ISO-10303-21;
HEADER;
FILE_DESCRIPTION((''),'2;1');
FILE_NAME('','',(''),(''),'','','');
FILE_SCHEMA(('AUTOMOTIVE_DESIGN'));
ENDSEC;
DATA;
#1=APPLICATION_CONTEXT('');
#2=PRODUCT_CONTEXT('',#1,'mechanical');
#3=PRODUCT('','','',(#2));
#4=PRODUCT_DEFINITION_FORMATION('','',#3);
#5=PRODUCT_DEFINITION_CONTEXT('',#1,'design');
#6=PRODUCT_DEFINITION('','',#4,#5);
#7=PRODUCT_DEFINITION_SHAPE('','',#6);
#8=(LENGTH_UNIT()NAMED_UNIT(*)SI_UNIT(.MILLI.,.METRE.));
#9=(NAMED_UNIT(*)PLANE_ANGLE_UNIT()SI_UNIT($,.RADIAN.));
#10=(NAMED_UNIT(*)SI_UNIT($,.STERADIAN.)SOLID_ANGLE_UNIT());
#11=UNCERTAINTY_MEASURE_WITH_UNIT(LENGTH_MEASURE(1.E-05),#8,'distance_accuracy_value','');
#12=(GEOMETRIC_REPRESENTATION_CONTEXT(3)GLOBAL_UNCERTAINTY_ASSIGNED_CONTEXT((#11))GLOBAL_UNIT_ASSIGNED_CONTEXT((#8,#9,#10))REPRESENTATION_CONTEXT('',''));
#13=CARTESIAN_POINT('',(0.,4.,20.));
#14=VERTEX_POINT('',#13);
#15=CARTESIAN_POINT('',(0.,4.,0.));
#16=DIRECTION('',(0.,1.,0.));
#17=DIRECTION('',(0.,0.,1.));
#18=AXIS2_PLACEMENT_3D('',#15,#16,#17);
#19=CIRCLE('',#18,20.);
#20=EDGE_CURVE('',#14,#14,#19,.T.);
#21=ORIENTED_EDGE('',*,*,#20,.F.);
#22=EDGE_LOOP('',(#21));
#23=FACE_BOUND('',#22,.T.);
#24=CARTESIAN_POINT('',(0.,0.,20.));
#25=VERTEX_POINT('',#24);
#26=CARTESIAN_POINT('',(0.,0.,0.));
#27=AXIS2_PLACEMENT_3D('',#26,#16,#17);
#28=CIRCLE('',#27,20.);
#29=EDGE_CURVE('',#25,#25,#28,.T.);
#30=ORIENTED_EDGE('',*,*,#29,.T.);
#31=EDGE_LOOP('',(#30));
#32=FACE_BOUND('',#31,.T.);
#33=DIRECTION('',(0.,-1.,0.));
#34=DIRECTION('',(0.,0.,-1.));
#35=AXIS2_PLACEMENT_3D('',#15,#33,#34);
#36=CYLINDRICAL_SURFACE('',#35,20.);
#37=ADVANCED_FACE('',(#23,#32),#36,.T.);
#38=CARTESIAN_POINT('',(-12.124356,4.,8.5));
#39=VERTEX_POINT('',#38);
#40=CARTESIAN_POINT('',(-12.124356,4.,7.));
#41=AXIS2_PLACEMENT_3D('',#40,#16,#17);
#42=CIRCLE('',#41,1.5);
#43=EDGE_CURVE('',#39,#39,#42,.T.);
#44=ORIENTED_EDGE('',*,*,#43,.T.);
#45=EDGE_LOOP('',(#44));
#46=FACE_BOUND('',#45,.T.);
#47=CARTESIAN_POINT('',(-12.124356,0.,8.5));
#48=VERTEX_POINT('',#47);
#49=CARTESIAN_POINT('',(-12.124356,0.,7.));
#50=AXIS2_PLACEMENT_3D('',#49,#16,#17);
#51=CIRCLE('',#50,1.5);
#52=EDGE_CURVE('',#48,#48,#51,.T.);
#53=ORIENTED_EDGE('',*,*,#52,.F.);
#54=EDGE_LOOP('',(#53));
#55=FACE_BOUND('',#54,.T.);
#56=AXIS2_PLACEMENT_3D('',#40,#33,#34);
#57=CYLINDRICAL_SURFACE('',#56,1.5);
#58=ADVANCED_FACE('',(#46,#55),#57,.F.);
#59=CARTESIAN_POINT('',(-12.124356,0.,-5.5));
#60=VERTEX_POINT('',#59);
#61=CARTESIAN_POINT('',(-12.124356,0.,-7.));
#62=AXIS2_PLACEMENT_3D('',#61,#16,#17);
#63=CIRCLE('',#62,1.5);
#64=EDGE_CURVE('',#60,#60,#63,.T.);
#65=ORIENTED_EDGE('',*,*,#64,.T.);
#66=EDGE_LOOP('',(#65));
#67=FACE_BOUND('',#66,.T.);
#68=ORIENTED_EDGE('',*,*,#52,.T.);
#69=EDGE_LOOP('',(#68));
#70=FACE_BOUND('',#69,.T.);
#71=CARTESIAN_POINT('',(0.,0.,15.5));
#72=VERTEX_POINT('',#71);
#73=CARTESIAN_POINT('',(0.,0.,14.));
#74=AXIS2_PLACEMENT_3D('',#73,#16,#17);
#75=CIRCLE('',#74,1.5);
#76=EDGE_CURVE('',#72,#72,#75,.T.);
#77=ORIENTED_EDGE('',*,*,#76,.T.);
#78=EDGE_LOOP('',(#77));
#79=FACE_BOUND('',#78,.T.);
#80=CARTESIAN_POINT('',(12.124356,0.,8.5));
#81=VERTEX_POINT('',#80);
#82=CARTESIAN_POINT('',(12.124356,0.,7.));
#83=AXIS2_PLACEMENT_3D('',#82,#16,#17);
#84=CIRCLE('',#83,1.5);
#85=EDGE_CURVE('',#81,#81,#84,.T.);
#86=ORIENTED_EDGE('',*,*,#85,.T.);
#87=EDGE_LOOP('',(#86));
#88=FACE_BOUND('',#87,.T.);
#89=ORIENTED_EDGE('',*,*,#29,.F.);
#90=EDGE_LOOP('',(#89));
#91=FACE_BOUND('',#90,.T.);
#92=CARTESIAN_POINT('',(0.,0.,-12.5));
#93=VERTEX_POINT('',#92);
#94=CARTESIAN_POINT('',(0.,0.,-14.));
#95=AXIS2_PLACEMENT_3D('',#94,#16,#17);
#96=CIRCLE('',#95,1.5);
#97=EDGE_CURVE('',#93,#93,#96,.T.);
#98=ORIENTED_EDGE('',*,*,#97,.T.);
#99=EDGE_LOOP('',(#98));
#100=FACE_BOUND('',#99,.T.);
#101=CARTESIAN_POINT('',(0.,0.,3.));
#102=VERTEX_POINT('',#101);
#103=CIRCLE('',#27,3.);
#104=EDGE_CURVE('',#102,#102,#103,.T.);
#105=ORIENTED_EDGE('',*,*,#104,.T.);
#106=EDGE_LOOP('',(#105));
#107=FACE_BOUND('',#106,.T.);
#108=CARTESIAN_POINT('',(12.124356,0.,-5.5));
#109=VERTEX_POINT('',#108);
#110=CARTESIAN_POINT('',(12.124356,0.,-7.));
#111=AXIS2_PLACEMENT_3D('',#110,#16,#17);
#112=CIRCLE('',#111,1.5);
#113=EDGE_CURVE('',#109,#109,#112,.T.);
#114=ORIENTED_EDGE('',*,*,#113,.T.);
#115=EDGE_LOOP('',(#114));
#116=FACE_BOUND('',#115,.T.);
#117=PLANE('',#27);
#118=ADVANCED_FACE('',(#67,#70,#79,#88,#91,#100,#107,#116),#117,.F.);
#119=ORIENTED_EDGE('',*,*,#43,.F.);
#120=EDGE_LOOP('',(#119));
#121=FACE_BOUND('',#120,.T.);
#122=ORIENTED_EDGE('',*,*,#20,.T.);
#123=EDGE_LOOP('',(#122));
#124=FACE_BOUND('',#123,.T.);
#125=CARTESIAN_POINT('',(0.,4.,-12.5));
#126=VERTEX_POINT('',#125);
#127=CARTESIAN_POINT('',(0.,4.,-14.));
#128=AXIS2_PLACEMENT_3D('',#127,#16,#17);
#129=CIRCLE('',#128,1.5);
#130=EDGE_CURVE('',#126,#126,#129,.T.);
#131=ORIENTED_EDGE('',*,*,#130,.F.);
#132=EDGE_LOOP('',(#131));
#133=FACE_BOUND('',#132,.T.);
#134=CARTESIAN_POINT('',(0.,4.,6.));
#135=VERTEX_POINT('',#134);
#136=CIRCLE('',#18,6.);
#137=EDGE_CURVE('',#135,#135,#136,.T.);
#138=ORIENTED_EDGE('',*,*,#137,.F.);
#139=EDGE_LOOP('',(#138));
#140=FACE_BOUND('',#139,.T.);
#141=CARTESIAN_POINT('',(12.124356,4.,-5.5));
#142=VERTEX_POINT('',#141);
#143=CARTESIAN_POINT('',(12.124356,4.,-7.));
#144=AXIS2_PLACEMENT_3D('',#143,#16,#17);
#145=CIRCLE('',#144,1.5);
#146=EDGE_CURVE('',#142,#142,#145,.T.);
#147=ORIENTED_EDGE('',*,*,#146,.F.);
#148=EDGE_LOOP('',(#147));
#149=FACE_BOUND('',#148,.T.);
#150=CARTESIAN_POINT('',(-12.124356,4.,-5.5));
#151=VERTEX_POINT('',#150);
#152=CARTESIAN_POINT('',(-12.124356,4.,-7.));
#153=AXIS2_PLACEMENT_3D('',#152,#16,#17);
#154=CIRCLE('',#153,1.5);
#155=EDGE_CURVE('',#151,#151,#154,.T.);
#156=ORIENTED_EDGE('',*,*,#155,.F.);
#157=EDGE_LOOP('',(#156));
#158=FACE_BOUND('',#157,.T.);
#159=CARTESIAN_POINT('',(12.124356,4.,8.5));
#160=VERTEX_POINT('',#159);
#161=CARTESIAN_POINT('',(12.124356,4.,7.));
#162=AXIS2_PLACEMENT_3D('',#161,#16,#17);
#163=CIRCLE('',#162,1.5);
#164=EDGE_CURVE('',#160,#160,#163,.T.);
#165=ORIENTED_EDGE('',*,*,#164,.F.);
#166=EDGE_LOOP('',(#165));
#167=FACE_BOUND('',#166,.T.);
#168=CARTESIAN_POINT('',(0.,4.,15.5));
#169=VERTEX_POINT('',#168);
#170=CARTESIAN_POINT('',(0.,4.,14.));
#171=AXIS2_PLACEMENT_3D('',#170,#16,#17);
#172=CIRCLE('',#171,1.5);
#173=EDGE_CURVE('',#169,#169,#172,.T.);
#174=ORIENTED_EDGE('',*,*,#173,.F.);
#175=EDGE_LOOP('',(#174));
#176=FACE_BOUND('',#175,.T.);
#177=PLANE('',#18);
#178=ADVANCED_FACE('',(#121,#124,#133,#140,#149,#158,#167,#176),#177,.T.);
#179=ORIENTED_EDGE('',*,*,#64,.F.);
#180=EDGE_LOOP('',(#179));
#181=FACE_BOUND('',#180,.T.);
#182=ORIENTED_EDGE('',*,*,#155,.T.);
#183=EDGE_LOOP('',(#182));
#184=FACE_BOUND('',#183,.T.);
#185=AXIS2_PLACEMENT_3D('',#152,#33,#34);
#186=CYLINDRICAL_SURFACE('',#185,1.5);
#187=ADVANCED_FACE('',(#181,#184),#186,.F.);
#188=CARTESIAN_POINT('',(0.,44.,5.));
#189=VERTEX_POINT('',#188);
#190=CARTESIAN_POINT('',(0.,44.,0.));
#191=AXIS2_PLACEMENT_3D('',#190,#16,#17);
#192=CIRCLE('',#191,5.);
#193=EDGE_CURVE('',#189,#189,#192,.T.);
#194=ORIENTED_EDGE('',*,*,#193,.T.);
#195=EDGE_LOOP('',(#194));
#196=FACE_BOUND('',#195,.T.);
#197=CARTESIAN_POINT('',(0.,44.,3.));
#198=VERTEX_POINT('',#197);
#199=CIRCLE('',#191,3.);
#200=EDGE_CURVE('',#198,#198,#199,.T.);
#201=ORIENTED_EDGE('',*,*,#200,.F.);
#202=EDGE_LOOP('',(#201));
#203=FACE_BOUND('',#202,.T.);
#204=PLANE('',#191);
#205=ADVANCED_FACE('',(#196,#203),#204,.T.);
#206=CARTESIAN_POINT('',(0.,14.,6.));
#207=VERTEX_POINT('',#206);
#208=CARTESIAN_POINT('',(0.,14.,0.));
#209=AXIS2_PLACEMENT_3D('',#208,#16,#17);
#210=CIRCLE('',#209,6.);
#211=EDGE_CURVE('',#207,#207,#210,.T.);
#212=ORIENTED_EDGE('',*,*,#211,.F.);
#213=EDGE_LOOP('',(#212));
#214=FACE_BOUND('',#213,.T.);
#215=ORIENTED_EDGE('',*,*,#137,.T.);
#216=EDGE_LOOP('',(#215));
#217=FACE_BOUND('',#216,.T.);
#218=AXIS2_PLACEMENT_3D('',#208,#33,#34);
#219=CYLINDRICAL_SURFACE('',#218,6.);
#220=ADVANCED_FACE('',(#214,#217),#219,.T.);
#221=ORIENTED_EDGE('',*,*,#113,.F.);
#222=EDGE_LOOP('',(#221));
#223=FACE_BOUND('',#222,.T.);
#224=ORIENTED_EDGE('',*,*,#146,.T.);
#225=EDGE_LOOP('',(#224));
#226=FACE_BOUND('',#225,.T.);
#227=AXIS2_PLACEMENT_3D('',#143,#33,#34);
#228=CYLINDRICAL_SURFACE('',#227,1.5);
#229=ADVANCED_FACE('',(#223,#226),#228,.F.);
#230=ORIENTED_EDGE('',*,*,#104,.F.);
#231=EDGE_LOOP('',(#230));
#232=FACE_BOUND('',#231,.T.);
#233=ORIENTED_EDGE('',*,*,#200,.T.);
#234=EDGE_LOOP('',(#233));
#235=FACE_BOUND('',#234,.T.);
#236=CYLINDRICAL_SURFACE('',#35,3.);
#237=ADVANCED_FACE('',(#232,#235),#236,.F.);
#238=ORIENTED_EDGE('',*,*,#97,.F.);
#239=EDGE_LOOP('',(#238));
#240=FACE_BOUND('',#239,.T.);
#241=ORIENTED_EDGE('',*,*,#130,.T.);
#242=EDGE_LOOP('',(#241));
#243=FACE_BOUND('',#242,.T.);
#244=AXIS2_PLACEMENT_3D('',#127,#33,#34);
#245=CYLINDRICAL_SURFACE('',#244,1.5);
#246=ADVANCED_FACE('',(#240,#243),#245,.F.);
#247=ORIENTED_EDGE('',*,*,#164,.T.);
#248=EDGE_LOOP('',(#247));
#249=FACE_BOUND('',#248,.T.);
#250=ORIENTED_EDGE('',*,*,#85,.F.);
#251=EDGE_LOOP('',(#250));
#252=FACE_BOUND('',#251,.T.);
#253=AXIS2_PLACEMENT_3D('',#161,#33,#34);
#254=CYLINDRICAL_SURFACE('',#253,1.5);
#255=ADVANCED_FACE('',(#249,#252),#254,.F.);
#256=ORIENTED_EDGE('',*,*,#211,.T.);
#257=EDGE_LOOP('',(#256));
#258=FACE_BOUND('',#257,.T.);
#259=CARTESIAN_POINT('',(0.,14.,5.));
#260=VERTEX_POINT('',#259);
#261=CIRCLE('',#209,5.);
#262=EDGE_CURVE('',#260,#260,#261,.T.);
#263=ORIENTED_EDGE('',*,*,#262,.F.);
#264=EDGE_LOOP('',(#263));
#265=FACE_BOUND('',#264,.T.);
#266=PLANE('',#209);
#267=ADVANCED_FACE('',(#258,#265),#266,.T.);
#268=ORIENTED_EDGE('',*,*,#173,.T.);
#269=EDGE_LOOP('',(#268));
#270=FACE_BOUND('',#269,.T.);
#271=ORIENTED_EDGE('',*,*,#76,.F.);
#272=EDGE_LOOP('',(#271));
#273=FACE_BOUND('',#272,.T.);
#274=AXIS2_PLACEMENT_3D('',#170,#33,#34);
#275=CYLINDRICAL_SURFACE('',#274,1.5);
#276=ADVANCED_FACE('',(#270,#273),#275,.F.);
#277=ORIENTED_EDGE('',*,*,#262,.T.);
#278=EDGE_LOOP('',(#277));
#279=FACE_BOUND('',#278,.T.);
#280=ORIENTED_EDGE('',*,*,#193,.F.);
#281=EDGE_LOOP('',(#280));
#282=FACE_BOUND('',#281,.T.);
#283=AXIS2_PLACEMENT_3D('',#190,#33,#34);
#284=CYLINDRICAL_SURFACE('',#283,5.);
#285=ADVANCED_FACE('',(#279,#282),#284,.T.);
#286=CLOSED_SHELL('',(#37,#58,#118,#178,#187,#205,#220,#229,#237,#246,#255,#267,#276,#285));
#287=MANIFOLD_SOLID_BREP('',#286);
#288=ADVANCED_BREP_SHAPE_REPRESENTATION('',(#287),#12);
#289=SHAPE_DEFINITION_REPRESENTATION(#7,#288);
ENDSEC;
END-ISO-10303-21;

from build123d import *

# Parameters (mm, degrees)
SKETCH_1_R      = 20
SKETCH_1_R_2    = 1.5
SKETCH_1_R_3    = 3
EXTRUDE_1_DEPTH = 4
SKETCH_2_R      = 6
SKETCH_2_R_2    = 3
EXTRUDE_2_DEPTH = 10
SKETCH_3_R      = 5
SKETCH_3_R_2    = 3
EXTRUDE_3_DEPTH = 30


with BuildPart() as part:
    # 草图1 → 凸台-拉伸1 (new body)
    with BuildSketch(Plane(origin=(0, 0, 0), x_dir=(1, 0, 0), z_dir=(0, 1, 0))):
        Circle(SKETCH_1_R)
        with Locations((0, 14)):
            Circle(SKETCH_1_R_2, mode=Mode.SUBTRACT)
        with Locations((12.124355653, 7)):
            Circle(SKETCH_1_R_2, mode=Mode.SUBTRACT)
        with Locations((12.124355653, -7)):
            Circle(SKETCH_1_R_2, mode=Mode.SUBTRACT)
        with Locations((0, -14)):
            Circle(SKETCH_1_R_2, mode=Mode.SUBTRACT)
        with Locations((-12.124355653, -7)):
            Circle(SKETCH_1_R_2, mode=Mode.SUBTRACT)
        with Locations((-12.124355653, 7)):
            Circle(SKETCH_1_R_2, mode=Mode.SUBTRACT)
        Circle(SKETCH_1_R_3, mode=Mode.SUBTRACT)
    extrude(amount=EXTRUDE_1_DEPTH)

    # 草图2 → 凸台-拉伸2 (add)
    with BuildSketch(Plane(origin=(0, 4, 0), x_dir=(1, 0, 0), z_dir=(0, 1, 0))):
        Circle(SKETCH_2_R)
        Circle(SKETCH_2_R_2, mode=Mode.SUBTRACT)
    extrude(amount=EXTRUDE_2_DEPTH)

    # 草图3 → 凸台-拉伸3 (add)
    with BuildSketch(Plane(origin=(0, 14, 0), x_dir=(1, 0, 0), z_dir=(0, 1, 0))):
        Circle(SKETCH_3_R)
        Circle(SKETCH_3_R_2, mode=Mode.SUBTRACT)
    extrude(amount=EXTRUDE_3_DEPTH)


solid = part.part
